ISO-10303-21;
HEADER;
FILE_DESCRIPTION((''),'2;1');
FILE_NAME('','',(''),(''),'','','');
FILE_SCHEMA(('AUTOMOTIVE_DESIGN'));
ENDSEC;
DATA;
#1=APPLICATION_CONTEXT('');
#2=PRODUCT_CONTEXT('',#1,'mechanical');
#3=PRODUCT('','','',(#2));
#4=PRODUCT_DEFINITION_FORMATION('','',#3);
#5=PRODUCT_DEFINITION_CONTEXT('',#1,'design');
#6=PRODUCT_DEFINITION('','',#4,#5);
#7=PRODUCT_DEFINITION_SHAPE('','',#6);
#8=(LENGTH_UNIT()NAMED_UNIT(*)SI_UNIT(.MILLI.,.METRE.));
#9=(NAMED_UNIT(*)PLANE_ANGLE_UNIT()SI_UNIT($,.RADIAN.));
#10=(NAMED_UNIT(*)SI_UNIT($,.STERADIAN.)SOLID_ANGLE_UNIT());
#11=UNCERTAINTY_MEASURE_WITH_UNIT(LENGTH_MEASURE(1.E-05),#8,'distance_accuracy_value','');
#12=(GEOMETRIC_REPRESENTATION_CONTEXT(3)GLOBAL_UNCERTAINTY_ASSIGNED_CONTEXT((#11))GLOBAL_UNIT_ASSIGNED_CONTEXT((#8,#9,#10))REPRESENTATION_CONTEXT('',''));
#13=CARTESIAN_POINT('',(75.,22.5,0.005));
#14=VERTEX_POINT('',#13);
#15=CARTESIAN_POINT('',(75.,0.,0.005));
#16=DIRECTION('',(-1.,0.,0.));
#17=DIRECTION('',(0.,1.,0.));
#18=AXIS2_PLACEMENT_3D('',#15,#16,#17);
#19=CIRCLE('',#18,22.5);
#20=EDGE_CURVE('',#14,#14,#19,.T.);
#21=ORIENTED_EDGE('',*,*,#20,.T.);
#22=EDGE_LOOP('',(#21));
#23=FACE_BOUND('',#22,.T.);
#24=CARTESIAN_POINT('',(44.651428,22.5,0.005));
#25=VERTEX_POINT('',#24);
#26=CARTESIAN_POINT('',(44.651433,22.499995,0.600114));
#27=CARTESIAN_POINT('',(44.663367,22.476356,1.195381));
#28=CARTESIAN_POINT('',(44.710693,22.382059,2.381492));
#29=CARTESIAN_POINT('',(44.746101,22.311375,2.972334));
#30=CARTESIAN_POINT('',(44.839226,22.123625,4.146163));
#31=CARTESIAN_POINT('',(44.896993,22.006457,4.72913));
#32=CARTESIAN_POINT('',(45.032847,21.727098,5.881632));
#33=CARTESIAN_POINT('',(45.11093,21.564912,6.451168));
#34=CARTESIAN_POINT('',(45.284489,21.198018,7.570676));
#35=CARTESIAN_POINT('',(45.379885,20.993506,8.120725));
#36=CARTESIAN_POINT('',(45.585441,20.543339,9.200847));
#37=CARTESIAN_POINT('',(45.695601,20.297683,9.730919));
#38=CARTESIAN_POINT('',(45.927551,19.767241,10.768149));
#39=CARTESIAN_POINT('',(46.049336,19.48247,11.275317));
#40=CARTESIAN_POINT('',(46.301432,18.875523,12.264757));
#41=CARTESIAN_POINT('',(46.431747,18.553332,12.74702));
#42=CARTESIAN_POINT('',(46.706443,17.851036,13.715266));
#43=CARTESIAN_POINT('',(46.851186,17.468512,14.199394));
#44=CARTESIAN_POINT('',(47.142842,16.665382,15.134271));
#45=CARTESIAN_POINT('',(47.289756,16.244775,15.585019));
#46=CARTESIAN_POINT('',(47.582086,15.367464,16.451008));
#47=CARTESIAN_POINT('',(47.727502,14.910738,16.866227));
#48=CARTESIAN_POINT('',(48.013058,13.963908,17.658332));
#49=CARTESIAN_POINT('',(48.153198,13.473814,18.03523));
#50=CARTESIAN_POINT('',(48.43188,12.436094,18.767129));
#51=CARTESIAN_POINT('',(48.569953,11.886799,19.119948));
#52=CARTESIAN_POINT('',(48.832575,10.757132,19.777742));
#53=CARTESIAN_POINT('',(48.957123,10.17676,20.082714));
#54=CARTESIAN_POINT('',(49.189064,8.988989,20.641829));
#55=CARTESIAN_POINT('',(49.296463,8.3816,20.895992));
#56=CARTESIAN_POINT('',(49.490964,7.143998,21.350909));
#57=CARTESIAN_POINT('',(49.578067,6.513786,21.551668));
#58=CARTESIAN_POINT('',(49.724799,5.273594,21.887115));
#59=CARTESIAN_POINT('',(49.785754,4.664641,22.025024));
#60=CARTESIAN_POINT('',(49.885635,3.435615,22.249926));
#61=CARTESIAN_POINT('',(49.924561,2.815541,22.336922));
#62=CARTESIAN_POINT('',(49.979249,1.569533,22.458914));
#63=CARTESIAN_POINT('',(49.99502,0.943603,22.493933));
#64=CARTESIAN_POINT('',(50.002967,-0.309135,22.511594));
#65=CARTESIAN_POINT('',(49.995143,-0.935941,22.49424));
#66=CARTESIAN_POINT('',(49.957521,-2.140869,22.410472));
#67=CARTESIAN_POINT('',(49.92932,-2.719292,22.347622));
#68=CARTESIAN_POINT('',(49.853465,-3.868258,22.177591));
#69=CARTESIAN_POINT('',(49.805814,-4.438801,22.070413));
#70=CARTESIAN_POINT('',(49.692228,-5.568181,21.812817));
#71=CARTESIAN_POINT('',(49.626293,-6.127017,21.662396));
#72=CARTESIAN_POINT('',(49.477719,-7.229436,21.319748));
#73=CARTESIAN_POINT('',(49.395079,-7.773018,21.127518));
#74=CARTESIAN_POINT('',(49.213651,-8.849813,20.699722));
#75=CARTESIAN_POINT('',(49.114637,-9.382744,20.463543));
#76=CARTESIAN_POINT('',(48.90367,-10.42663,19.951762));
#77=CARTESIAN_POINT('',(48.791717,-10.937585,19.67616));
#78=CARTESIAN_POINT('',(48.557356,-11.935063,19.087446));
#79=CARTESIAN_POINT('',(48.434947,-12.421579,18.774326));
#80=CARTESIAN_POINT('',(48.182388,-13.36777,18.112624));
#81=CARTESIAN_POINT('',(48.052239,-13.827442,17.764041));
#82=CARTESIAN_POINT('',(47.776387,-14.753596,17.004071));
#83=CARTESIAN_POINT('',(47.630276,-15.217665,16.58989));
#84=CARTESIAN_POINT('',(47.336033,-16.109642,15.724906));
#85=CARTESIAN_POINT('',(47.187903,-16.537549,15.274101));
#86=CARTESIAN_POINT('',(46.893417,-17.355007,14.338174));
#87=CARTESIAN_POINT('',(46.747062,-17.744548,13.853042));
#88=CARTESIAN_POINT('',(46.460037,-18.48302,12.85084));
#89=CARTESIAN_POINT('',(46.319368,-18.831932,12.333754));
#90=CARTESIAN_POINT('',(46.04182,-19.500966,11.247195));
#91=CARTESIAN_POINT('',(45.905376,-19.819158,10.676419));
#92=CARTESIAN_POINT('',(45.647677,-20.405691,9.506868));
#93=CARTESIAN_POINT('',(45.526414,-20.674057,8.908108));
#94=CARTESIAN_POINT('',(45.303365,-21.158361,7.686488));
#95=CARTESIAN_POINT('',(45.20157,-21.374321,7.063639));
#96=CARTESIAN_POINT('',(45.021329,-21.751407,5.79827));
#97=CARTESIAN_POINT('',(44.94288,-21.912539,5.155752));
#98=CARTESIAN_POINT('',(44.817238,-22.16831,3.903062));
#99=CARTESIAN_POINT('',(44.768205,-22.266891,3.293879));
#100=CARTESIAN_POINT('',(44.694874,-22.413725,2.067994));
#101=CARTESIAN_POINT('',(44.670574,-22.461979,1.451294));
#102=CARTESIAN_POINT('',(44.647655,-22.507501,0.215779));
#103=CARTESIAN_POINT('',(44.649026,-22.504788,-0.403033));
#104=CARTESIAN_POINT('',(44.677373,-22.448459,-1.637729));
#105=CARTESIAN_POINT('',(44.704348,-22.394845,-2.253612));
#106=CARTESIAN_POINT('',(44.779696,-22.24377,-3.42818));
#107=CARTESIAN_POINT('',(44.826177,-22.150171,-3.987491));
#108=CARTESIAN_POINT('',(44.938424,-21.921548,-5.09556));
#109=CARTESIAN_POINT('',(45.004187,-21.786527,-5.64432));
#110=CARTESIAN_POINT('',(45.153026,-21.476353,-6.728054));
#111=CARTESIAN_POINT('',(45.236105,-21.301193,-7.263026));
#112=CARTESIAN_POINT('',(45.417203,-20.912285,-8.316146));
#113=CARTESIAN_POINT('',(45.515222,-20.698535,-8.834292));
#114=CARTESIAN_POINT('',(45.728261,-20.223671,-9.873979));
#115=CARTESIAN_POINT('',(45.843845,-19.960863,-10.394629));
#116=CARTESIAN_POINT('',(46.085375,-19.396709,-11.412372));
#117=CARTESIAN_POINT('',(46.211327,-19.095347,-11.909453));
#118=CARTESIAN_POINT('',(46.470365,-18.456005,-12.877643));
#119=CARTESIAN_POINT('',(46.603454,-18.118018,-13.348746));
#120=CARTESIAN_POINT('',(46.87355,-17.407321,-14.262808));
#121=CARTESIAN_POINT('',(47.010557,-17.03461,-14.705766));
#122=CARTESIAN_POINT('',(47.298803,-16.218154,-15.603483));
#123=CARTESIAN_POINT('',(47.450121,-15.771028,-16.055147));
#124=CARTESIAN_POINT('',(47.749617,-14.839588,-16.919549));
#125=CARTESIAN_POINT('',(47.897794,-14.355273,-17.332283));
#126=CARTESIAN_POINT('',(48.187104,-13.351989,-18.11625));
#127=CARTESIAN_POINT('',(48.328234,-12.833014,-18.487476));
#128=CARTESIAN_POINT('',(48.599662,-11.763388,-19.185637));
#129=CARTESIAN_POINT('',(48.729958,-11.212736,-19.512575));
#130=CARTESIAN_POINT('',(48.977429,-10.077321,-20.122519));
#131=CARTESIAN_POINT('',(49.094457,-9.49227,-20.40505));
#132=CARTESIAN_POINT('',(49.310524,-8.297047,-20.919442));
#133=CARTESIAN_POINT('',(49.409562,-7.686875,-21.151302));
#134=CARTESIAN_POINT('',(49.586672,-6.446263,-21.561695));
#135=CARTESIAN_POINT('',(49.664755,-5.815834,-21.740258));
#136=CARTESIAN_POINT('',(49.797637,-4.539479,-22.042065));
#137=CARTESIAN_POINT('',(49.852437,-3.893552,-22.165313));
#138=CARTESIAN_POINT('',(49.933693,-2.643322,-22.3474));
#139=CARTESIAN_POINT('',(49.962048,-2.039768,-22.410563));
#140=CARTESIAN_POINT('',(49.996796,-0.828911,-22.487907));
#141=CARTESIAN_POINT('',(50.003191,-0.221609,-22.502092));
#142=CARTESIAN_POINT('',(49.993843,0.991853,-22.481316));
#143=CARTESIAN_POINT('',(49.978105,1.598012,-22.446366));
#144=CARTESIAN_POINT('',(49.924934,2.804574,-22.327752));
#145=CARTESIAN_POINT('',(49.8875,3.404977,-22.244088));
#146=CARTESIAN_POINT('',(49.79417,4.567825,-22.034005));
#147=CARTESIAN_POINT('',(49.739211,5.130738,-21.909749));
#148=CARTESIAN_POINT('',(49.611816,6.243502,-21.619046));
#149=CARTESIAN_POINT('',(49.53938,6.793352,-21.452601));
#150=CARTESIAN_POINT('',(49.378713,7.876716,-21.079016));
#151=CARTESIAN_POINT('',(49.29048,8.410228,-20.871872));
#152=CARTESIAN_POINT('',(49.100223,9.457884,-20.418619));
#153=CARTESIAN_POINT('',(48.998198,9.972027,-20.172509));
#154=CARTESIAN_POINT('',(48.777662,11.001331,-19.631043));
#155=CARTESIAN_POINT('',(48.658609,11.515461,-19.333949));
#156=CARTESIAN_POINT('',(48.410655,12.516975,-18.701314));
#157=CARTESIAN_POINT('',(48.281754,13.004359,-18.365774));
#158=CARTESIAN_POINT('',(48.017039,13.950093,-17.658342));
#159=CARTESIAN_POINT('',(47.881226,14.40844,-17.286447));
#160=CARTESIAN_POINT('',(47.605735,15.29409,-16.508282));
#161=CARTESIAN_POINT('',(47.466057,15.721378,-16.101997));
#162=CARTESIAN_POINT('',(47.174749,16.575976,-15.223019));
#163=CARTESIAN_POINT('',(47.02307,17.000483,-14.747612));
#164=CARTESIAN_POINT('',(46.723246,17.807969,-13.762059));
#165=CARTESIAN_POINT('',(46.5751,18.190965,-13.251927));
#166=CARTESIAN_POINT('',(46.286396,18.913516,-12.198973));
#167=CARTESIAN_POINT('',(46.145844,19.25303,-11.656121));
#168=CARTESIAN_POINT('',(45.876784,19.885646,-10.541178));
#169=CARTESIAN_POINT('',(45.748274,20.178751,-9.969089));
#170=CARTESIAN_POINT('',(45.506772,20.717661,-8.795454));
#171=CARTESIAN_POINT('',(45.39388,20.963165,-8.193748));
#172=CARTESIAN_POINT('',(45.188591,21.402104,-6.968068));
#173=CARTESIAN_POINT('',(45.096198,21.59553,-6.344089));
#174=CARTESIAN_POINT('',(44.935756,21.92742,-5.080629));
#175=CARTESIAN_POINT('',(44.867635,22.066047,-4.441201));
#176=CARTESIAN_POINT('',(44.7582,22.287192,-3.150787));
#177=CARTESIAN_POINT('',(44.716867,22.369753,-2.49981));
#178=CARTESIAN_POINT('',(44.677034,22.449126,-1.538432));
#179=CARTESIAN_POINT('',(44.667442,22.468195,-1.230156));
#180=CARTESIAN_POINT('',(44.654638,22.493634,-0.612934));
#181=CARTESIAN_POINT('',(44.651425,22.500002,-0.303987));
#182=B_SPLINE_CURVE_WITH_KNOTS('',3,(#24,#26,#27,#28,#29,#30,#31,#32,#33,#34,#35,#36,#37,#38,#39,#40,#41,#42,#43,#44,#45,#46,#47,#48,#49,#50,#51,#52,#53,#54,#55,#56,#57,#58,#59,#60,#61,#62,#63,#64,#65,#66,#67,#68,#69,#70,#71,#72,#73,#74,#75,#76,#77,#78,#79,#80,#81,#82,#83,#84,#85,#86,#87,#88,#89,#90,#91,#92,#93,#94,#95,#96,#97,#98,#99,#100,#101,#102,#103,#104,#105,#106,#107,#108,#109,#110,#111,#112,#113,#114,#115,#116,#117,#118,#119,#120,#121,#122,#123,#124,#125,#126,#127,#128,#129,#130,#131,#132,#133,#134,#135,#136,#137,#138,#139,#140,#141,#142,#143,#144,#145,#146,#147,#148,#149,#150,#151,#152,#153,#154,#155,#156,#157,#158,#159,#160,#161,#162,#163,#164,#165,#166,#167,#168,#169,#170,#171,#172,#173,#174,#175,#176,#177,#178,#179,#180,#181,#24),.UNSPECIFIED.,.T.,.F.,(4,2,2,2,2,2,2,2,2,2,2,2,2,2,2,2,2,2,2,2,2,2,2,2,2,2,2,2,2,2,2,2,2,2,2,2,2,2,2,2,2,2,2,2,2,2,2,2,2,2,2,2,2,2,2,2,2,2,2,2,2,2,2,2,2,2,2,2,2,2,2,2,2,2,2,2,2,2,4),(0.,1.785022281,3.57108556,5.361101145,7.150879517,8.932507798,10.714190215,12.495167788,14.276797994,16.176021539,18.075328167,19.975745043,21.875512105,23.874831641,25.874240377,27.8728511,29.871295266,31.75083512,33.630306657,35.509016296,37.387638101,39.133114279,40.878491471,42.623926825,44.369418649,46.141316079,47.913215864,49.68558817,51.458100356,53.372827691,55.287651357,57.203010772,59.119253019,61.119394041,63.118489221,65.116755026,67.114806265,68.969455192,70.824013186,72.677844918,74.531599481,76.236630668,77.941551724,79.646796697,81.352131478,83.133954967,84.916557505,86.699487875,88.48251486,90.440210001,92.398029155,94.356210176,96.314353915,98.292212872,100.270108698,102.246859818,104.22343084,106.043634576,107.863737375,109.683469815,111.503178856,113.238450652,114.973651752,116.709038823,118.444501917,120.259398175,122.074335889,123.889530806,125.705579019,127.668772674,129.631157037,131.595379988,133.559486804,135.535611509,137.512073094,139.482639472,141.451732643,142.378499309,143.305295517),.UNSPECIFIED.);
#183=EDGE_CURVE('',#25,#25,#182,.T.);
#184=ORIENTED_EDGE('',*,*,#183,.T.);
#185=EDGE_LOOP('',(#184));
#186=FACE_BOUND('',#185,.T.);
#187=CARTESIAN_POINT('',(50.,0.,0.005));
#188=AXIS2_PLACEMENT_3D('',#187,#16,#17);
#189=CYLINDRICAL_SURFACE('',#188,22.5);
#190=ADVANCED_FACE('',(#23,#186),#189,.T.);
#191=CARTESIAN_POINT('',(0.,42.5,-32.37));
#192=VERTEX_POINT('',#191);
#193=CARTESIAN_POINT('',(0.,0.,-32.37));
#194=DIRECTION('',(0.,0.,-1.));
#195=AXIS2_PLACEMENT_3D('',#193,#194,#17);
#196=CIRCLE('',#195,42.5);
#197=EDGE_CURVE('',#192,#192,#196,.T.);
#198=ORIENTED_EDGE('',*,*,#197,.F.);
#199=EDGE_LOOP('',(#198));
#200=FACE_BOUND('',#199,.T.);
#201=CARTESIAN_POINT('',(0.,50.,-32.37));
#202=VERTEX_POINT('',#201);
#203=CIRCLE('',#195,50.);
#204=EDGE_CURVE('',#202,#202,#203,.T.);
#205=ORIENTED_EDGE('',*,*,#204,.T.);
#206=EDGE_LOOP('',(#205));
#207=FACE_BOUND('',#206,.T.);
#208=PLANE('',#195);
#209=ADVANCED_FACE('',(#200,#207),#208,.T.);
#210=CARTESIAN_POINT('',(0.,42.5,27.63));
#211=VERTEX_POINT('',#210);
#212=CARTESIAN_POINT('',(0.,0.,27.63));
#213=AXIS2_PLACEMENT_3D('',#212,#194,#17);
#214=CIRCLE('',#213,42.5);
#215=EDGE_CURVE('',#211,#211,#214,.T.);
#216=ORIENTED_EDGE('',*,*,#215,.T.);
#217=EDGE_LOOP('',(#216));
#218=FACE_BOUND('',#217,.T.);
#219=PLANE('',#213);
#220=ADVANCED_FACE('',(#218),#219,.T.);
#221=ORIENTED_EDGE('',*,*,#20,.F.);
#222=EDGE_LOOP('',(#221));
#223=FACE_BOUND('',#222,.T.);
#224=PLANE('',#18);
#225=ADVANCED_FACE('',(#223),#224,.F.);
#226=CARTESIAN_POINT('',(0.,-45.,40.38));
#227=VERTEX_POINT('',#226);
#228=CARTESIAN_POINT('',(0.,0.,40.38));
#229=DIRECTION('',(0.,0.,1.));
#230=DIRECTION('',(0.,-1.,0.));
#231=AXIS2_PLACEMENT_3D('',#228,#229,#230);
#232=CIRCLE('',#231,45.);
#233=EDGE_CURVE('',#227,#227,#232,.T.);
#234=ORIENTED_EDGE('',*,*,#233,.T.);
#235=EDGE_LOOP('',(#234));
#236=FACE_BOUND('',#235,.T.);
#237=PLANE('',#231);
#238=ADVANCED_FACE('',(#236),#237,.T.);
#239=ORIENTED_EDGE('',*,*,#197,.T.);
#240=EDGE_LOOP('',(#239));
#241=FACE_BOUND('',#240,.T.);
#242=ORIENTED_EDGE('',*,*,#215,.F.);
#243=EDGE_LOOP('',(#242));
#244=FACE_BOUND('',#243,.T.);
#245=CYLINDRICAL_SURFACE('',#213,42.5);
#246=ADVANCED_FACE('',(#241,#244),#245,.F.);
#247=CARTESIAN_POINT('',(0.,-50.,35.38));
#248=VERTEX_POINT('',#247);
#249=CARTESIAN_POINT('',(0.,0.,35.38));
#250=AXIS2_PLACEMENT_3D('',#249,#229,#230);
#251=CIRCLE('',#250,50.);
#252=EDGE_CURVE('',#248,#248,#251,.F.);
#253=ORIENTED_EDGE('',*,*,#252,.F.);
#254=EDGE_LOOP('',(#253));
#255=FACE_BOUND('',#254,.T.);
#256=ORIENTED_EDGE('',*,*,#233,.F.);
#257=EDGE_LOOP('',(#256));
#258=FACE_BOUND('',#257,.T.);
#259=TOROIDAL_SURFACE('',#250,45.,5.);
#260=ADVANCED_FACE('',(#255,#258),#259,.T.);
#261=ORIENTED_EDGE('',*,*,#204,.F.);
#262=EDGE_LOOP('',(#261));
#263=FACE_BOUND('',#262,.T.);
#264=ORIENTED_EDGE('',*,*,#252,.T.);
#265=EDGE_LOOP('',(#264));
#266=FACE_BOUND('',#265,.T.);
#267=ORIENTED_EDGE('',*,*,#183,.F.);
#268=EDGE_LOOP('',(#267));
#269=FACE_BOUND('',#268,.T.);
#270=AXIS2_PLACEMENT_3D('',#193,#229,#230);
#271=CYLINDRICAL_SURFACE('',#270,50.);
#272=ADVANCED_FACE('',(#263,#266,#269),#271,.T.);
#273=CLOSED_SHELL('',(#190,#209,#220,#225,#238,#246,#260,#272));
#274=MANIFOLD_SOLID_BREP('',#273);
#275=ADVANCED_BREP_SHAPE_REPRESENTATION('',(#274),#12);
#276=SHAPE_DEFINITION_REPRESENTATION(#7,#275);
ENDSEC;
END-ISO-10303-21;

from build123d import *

# Parameters (mm, degrees)
SKETCH2_R             = 50
BOSS_EXTRUDE1_DEPTH   = 64.75
BOSS_EXTRUDE2_START   = 8
SKETCH4_R             = 50
BOSS_EXTRUDE2_DEPTH   = 8
FILLET1_R             = 5
BODY_MOVE_COPY2_ANGLE = 120
SKETCH5_R             = 42.5
CUT_EXTRUDE1_DEPTH    = 60


with BuildPart() as part:
    # Sketch2 → Boss-Extrude1 (new body)
    with BuildSketch(Plane(origin=(0, 0, 0), x_dir=(0, 0, -1), z_dir=(1, 0, 0))):
        Circle(SKETCH2_R)
    extrude(amount=BOSS_EXTRUDE1_DEPTH)

    # Sketch3 → Revolve1 (revolve)
    with BuildSketch(Plane.ZY.offset(-32.375)):
        with BuildLine():
            Line((0, 75), (0, 50))
            ThreePointArc((0, 50), (11.563490229, 48.644482665), (22.5, 44.651427749))
            Line((22.5, 44.651427749), (22.5, 75))
            Line((22.5, 75), (0, 75))
        make_face()
    revolve(axis=Axis((32.375, 50, 0), (0, 1, 0)))

    # Sketch4 → Boss-Extrude2 (add)
    with BuildSketch(Plane.ZY.offset(BOSS_EXTRUDE2_START)):
        Circle(SKETCH4_R)
    extrude(amount=-BOSS_EXTRUDE2_DEPTH)

    # Fillet1
    fillet1_edges = [part.edges().sort_by_distance(p)[0] for p in [
        (-8, 0, -50),
    ]]
    fillet(fillet1_edges, radius=FILLET1_R)


with BuildPart() as part_1:
    # Body-Move/Copy1: moved
    add(part.part.moved(Location((-32.38, 0, 0))))


with BuildPart() as part_2:
    # Body-Move/Copy2: moved
    add(part_1.part.rotate(Axis((0, 0, 0), (0.5773502691896272, 0.5773502691896252, -0.5773502691896252)), BODY_MOVE_COPY2_ANGLE))

    # Sketch5 → Cut-Extrude1 (cut)
    with BuildSketch(Plane(origin=(0, 0, -32.37), x_dir=(-1, 0, 0), z_dir=(0, 0, -1))):
        Circle(SKETCH5_R)
    extrude(amount=-CUT_EXTRUDE1_DEPTH, mode=Mode.SUBTRACT)


solid = part_2.part
